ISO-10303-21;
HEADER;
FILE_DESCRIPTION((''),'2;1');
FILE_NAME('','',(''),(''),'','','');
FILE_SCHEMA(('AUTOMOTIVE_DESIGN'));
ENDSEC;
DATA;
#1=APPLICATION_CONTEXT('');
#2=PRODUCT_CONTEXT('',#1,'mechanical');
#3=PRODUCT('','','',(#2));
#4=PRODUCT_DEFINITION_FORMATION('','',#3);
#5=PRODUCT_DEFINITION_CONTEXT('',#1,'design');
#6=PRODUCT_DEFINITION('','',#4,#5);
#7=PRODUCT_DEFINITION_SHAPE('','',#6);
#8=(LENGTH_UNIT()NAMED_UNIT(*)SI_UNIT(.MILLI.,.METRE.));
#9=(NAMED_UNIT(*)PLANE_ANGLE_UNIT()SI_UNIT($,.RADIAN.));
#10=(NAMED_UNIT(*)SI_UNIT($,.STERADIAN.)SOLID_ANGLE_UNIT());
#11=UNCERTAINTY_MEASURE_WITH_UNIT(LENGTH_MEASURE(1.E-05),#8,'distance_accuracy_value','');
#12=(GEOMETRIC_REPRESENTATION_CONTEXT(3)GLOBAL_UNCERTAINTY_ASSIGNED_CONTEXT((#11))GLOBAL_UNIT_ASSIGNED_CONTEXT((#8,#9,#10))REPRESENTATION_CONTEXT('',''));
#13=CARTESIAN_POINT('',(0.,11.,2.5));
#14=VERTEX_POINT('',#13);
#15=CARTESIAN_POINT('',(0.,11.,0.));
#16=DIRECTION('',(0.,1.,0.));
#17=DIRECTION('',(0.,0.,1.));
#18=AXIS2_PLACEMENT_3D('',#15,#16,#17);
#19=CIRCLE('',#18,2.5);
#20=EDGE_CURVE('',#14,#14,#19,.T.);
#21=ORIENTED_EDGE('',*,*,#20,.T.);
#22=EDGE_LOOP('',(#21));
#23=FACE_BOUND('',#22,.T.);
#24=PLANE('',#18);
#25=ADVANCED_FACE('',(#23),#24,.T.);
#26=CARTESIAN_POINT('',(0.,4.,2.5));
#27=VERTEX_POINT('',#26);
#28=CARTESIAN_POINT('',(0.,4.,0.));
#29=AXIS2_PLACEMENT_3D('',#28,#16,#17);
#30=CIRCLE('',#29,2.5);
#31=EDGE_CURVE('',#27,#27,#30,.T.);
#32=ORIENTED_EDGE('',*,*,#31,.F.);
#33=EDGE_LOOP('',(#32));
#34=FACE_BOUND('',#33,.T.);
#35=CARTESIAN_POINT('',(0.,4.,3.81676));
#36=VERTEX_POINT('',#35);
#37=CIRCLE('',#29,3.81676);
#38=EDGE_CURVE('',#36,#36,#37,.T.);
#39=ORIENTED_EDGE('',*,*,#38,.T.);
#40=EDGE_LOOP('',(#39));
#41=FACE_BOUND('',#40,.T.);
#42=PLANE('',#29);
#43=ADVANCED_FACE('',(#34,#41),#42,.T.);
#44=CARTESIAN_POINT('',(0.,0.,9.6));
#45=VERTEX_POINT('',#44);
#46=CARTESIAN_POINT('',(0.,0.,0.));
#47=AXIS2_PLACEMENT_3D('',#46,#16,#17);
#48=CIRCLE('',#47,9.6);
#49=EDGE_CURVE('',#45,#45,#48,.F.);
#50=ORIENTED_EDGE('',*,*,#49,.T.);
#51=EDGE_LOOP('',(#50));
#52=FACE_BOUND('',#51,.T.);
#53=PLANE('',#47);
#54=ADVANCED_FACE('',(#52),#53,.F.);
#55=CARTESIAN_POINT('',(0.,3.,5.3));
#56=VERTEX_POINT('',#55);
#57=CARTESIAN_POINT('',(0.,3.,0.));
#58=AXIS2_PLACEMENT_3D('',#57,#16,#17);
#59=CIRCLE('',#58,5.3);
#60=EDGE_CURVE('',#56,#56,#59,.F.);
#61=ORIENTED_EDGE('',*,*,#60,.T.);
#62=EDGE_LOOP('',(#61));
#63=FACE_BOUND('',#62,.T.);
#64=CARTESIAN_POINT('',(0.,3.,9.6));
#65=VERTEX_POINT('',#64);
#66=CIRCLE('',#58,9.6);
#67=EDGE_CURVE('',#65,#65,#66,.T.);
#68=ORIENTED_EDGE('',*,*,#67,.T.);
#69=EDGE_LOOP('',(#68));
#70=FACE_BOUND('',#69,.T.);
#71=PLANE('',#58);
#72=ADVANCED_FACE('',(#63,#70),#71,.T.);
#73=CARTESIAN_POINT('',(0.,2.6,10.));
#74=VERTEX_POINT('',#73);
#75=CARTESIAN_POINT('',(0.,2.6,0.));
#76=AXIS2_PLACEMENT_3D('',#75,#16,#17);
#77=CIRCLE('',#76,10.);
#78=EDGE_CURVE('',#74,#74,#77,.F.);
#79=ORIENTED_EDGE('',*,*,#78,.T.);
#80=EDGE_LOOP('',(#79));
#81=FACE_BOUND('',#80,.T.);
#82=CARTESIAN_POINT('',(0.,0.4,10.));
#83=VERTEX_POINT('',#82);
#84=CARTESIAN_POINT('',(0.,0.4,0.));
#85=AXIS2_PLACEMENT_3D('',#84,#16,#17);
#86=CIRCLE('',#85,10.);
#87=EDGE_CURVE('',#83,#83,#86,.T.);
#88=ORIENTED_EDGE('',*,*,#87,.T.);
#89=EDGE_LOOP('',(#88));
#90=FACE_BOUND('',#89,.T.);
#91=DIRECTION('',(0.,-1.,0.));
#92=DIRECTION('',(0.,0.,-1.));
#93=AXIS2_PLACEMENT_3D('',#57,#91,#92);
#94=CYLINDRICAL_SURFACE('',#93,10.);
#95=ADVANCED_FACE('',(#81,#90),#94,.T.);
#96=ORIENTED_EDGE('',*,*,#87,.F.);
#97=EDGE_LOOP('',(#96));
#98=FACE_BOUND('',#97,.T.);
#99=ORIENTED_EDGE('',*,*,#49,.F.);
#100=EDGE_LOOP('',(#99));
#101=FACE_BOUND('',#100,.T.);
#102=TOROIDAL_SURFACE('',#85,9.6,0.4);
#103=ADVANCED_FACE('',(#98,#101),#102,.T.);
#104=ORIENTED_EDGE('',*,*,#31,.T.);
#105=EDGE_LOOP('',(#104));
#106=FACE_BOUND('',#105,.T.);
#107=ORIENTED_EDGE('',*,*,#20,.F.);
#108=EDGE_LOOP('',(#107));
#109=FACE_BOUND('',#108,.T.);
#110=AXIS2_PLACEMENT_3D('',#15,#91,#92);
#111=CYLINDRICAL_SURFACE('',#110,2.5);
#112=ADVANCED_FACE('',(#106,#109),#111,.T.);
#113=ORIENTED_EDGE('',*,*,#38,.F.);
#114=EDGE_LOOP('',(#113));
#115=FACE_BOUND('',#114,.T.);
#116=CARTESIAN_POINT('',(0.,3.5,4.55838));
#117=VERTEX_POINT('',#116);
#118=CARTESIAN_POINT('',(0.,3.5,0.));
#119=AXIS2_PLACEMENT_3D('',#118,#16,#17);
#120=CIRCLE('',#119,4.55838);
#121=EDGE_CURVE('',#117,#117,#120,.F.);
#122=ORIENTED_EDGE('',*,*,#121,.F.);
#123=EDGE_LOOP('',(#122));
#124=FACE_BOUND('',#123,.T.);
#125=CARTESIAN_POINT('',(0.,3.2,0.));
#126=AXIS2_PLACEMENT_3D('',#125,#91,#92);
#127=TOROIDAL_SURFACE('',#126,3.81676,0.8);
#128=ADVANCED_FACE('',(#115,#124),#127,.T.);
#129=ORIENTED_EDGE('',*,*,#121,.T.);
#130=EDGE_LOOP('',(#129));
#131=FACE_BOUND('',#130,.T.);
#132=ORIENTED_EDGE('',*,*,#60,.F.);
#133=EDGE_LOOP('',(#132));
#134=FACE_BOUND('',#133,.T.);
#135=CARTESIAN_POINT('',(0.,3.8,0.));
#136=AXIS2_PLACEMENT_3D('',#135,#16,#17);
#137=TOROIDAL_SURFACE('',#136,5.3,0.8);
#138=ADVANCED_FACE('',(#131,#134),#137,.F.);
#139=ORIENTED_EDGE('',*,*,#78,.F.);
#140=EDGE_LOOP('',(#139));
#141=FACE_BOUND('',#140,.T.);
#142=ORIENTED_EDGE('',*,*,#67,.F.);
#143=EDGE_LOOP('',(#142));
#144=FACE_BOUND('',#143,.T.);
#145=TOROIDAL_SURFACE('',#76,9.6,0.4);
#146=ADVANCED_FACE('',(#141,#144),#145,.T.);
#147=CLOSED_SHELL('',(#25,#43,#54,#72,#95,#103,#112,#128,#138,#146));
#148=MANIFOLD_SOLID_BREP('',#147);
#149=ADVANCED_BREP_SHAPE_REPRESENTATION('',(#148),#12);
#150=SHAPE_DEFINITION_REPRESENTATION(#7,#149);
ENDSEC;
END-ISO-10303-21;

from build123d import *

# Parameters (mm, degrees)
SKETCH1_R           = 10
BOSS_EXTRUDE1_DEPTH = 3
SKETCH2_R           = 2.5
BOSS_EXTRUDE2_DEPTH = 8
FILLET2_R           = 0.4
SKETCH3_R           = 4.5
SKETCH3_R_2         = 2.5
BOSS_EXTRUDE3_DEPTH = 1
FILLET3_R           = 0.8
FILLET4_R           = 0.8


with BuildPart() as part:
    # Sketch1 → Boss-Extrude1 (new body)
    with BuildSketch(Plane(origin=(0, 0, 0), x_dir=(1, 0, 0), z_dir=(0, 1, 0))):
        with Locations(Location((0, 0, 0), (0, 0, 270))):
            Circle(SKETCH1_R)
    extrude(amount=BOSS_EXTRUDE1_DEPTH)

    # Sketch2 → Boss-Extrude2 (add)
    with BuildSketch(Plane(origin=(0, 3, 0), x_dir=(1, 0, 0), z_dir=(0, 1, 0))):
        with Locations(Location((0, 0, 0), (0, 0, 270))):
            Circle(SKETCH2_R)
    extrude(amount=BOSS_EXTRUDE2_DEPTH)

    # Fillet2
    fillet2_edges = [part.edges().sort_by_distance(p)[0] for p in [
        (0, 0, -10),
        (0, 3, -10),
    ]]
    fillet(fillet2_edges, radius=FILLET2_R)

    # Sketch3 → Boss-Extrude3 (add)
    with BuildSketch(Plane(origin=(0, 3, 0), x_dir=(1, 0, 0), z_dir=(0, 1, 0))):
        with Locations(Location((0, 0, 0), (0, 0, 270))):
            Circle(SKETCH3_R)
        with Locations(Location((0, 0, 0), (0, 0, 270))):
            Circle(SKETCH3_R_2, mode=Mode.SUBTRACT)
    extrude(amount=BOSS_EXTRUDE3_DEPTH)

    # Fillet3
    fillet3_edges = [part.edges().sort_by_distance(p)[0] for p in [
        (0, 3, -4.5),
    ]]
    fillet(fillet3_edges, radius=FILLET3_R)

    # Fillet4
    fillet4_edges = [part.edges().sort_by_distance(p)[0] for p in [
        (0, 4, -4.5),
    ]]
    fillet(fillet4_edges, radius=FILLET4_R)


solid = part.part
